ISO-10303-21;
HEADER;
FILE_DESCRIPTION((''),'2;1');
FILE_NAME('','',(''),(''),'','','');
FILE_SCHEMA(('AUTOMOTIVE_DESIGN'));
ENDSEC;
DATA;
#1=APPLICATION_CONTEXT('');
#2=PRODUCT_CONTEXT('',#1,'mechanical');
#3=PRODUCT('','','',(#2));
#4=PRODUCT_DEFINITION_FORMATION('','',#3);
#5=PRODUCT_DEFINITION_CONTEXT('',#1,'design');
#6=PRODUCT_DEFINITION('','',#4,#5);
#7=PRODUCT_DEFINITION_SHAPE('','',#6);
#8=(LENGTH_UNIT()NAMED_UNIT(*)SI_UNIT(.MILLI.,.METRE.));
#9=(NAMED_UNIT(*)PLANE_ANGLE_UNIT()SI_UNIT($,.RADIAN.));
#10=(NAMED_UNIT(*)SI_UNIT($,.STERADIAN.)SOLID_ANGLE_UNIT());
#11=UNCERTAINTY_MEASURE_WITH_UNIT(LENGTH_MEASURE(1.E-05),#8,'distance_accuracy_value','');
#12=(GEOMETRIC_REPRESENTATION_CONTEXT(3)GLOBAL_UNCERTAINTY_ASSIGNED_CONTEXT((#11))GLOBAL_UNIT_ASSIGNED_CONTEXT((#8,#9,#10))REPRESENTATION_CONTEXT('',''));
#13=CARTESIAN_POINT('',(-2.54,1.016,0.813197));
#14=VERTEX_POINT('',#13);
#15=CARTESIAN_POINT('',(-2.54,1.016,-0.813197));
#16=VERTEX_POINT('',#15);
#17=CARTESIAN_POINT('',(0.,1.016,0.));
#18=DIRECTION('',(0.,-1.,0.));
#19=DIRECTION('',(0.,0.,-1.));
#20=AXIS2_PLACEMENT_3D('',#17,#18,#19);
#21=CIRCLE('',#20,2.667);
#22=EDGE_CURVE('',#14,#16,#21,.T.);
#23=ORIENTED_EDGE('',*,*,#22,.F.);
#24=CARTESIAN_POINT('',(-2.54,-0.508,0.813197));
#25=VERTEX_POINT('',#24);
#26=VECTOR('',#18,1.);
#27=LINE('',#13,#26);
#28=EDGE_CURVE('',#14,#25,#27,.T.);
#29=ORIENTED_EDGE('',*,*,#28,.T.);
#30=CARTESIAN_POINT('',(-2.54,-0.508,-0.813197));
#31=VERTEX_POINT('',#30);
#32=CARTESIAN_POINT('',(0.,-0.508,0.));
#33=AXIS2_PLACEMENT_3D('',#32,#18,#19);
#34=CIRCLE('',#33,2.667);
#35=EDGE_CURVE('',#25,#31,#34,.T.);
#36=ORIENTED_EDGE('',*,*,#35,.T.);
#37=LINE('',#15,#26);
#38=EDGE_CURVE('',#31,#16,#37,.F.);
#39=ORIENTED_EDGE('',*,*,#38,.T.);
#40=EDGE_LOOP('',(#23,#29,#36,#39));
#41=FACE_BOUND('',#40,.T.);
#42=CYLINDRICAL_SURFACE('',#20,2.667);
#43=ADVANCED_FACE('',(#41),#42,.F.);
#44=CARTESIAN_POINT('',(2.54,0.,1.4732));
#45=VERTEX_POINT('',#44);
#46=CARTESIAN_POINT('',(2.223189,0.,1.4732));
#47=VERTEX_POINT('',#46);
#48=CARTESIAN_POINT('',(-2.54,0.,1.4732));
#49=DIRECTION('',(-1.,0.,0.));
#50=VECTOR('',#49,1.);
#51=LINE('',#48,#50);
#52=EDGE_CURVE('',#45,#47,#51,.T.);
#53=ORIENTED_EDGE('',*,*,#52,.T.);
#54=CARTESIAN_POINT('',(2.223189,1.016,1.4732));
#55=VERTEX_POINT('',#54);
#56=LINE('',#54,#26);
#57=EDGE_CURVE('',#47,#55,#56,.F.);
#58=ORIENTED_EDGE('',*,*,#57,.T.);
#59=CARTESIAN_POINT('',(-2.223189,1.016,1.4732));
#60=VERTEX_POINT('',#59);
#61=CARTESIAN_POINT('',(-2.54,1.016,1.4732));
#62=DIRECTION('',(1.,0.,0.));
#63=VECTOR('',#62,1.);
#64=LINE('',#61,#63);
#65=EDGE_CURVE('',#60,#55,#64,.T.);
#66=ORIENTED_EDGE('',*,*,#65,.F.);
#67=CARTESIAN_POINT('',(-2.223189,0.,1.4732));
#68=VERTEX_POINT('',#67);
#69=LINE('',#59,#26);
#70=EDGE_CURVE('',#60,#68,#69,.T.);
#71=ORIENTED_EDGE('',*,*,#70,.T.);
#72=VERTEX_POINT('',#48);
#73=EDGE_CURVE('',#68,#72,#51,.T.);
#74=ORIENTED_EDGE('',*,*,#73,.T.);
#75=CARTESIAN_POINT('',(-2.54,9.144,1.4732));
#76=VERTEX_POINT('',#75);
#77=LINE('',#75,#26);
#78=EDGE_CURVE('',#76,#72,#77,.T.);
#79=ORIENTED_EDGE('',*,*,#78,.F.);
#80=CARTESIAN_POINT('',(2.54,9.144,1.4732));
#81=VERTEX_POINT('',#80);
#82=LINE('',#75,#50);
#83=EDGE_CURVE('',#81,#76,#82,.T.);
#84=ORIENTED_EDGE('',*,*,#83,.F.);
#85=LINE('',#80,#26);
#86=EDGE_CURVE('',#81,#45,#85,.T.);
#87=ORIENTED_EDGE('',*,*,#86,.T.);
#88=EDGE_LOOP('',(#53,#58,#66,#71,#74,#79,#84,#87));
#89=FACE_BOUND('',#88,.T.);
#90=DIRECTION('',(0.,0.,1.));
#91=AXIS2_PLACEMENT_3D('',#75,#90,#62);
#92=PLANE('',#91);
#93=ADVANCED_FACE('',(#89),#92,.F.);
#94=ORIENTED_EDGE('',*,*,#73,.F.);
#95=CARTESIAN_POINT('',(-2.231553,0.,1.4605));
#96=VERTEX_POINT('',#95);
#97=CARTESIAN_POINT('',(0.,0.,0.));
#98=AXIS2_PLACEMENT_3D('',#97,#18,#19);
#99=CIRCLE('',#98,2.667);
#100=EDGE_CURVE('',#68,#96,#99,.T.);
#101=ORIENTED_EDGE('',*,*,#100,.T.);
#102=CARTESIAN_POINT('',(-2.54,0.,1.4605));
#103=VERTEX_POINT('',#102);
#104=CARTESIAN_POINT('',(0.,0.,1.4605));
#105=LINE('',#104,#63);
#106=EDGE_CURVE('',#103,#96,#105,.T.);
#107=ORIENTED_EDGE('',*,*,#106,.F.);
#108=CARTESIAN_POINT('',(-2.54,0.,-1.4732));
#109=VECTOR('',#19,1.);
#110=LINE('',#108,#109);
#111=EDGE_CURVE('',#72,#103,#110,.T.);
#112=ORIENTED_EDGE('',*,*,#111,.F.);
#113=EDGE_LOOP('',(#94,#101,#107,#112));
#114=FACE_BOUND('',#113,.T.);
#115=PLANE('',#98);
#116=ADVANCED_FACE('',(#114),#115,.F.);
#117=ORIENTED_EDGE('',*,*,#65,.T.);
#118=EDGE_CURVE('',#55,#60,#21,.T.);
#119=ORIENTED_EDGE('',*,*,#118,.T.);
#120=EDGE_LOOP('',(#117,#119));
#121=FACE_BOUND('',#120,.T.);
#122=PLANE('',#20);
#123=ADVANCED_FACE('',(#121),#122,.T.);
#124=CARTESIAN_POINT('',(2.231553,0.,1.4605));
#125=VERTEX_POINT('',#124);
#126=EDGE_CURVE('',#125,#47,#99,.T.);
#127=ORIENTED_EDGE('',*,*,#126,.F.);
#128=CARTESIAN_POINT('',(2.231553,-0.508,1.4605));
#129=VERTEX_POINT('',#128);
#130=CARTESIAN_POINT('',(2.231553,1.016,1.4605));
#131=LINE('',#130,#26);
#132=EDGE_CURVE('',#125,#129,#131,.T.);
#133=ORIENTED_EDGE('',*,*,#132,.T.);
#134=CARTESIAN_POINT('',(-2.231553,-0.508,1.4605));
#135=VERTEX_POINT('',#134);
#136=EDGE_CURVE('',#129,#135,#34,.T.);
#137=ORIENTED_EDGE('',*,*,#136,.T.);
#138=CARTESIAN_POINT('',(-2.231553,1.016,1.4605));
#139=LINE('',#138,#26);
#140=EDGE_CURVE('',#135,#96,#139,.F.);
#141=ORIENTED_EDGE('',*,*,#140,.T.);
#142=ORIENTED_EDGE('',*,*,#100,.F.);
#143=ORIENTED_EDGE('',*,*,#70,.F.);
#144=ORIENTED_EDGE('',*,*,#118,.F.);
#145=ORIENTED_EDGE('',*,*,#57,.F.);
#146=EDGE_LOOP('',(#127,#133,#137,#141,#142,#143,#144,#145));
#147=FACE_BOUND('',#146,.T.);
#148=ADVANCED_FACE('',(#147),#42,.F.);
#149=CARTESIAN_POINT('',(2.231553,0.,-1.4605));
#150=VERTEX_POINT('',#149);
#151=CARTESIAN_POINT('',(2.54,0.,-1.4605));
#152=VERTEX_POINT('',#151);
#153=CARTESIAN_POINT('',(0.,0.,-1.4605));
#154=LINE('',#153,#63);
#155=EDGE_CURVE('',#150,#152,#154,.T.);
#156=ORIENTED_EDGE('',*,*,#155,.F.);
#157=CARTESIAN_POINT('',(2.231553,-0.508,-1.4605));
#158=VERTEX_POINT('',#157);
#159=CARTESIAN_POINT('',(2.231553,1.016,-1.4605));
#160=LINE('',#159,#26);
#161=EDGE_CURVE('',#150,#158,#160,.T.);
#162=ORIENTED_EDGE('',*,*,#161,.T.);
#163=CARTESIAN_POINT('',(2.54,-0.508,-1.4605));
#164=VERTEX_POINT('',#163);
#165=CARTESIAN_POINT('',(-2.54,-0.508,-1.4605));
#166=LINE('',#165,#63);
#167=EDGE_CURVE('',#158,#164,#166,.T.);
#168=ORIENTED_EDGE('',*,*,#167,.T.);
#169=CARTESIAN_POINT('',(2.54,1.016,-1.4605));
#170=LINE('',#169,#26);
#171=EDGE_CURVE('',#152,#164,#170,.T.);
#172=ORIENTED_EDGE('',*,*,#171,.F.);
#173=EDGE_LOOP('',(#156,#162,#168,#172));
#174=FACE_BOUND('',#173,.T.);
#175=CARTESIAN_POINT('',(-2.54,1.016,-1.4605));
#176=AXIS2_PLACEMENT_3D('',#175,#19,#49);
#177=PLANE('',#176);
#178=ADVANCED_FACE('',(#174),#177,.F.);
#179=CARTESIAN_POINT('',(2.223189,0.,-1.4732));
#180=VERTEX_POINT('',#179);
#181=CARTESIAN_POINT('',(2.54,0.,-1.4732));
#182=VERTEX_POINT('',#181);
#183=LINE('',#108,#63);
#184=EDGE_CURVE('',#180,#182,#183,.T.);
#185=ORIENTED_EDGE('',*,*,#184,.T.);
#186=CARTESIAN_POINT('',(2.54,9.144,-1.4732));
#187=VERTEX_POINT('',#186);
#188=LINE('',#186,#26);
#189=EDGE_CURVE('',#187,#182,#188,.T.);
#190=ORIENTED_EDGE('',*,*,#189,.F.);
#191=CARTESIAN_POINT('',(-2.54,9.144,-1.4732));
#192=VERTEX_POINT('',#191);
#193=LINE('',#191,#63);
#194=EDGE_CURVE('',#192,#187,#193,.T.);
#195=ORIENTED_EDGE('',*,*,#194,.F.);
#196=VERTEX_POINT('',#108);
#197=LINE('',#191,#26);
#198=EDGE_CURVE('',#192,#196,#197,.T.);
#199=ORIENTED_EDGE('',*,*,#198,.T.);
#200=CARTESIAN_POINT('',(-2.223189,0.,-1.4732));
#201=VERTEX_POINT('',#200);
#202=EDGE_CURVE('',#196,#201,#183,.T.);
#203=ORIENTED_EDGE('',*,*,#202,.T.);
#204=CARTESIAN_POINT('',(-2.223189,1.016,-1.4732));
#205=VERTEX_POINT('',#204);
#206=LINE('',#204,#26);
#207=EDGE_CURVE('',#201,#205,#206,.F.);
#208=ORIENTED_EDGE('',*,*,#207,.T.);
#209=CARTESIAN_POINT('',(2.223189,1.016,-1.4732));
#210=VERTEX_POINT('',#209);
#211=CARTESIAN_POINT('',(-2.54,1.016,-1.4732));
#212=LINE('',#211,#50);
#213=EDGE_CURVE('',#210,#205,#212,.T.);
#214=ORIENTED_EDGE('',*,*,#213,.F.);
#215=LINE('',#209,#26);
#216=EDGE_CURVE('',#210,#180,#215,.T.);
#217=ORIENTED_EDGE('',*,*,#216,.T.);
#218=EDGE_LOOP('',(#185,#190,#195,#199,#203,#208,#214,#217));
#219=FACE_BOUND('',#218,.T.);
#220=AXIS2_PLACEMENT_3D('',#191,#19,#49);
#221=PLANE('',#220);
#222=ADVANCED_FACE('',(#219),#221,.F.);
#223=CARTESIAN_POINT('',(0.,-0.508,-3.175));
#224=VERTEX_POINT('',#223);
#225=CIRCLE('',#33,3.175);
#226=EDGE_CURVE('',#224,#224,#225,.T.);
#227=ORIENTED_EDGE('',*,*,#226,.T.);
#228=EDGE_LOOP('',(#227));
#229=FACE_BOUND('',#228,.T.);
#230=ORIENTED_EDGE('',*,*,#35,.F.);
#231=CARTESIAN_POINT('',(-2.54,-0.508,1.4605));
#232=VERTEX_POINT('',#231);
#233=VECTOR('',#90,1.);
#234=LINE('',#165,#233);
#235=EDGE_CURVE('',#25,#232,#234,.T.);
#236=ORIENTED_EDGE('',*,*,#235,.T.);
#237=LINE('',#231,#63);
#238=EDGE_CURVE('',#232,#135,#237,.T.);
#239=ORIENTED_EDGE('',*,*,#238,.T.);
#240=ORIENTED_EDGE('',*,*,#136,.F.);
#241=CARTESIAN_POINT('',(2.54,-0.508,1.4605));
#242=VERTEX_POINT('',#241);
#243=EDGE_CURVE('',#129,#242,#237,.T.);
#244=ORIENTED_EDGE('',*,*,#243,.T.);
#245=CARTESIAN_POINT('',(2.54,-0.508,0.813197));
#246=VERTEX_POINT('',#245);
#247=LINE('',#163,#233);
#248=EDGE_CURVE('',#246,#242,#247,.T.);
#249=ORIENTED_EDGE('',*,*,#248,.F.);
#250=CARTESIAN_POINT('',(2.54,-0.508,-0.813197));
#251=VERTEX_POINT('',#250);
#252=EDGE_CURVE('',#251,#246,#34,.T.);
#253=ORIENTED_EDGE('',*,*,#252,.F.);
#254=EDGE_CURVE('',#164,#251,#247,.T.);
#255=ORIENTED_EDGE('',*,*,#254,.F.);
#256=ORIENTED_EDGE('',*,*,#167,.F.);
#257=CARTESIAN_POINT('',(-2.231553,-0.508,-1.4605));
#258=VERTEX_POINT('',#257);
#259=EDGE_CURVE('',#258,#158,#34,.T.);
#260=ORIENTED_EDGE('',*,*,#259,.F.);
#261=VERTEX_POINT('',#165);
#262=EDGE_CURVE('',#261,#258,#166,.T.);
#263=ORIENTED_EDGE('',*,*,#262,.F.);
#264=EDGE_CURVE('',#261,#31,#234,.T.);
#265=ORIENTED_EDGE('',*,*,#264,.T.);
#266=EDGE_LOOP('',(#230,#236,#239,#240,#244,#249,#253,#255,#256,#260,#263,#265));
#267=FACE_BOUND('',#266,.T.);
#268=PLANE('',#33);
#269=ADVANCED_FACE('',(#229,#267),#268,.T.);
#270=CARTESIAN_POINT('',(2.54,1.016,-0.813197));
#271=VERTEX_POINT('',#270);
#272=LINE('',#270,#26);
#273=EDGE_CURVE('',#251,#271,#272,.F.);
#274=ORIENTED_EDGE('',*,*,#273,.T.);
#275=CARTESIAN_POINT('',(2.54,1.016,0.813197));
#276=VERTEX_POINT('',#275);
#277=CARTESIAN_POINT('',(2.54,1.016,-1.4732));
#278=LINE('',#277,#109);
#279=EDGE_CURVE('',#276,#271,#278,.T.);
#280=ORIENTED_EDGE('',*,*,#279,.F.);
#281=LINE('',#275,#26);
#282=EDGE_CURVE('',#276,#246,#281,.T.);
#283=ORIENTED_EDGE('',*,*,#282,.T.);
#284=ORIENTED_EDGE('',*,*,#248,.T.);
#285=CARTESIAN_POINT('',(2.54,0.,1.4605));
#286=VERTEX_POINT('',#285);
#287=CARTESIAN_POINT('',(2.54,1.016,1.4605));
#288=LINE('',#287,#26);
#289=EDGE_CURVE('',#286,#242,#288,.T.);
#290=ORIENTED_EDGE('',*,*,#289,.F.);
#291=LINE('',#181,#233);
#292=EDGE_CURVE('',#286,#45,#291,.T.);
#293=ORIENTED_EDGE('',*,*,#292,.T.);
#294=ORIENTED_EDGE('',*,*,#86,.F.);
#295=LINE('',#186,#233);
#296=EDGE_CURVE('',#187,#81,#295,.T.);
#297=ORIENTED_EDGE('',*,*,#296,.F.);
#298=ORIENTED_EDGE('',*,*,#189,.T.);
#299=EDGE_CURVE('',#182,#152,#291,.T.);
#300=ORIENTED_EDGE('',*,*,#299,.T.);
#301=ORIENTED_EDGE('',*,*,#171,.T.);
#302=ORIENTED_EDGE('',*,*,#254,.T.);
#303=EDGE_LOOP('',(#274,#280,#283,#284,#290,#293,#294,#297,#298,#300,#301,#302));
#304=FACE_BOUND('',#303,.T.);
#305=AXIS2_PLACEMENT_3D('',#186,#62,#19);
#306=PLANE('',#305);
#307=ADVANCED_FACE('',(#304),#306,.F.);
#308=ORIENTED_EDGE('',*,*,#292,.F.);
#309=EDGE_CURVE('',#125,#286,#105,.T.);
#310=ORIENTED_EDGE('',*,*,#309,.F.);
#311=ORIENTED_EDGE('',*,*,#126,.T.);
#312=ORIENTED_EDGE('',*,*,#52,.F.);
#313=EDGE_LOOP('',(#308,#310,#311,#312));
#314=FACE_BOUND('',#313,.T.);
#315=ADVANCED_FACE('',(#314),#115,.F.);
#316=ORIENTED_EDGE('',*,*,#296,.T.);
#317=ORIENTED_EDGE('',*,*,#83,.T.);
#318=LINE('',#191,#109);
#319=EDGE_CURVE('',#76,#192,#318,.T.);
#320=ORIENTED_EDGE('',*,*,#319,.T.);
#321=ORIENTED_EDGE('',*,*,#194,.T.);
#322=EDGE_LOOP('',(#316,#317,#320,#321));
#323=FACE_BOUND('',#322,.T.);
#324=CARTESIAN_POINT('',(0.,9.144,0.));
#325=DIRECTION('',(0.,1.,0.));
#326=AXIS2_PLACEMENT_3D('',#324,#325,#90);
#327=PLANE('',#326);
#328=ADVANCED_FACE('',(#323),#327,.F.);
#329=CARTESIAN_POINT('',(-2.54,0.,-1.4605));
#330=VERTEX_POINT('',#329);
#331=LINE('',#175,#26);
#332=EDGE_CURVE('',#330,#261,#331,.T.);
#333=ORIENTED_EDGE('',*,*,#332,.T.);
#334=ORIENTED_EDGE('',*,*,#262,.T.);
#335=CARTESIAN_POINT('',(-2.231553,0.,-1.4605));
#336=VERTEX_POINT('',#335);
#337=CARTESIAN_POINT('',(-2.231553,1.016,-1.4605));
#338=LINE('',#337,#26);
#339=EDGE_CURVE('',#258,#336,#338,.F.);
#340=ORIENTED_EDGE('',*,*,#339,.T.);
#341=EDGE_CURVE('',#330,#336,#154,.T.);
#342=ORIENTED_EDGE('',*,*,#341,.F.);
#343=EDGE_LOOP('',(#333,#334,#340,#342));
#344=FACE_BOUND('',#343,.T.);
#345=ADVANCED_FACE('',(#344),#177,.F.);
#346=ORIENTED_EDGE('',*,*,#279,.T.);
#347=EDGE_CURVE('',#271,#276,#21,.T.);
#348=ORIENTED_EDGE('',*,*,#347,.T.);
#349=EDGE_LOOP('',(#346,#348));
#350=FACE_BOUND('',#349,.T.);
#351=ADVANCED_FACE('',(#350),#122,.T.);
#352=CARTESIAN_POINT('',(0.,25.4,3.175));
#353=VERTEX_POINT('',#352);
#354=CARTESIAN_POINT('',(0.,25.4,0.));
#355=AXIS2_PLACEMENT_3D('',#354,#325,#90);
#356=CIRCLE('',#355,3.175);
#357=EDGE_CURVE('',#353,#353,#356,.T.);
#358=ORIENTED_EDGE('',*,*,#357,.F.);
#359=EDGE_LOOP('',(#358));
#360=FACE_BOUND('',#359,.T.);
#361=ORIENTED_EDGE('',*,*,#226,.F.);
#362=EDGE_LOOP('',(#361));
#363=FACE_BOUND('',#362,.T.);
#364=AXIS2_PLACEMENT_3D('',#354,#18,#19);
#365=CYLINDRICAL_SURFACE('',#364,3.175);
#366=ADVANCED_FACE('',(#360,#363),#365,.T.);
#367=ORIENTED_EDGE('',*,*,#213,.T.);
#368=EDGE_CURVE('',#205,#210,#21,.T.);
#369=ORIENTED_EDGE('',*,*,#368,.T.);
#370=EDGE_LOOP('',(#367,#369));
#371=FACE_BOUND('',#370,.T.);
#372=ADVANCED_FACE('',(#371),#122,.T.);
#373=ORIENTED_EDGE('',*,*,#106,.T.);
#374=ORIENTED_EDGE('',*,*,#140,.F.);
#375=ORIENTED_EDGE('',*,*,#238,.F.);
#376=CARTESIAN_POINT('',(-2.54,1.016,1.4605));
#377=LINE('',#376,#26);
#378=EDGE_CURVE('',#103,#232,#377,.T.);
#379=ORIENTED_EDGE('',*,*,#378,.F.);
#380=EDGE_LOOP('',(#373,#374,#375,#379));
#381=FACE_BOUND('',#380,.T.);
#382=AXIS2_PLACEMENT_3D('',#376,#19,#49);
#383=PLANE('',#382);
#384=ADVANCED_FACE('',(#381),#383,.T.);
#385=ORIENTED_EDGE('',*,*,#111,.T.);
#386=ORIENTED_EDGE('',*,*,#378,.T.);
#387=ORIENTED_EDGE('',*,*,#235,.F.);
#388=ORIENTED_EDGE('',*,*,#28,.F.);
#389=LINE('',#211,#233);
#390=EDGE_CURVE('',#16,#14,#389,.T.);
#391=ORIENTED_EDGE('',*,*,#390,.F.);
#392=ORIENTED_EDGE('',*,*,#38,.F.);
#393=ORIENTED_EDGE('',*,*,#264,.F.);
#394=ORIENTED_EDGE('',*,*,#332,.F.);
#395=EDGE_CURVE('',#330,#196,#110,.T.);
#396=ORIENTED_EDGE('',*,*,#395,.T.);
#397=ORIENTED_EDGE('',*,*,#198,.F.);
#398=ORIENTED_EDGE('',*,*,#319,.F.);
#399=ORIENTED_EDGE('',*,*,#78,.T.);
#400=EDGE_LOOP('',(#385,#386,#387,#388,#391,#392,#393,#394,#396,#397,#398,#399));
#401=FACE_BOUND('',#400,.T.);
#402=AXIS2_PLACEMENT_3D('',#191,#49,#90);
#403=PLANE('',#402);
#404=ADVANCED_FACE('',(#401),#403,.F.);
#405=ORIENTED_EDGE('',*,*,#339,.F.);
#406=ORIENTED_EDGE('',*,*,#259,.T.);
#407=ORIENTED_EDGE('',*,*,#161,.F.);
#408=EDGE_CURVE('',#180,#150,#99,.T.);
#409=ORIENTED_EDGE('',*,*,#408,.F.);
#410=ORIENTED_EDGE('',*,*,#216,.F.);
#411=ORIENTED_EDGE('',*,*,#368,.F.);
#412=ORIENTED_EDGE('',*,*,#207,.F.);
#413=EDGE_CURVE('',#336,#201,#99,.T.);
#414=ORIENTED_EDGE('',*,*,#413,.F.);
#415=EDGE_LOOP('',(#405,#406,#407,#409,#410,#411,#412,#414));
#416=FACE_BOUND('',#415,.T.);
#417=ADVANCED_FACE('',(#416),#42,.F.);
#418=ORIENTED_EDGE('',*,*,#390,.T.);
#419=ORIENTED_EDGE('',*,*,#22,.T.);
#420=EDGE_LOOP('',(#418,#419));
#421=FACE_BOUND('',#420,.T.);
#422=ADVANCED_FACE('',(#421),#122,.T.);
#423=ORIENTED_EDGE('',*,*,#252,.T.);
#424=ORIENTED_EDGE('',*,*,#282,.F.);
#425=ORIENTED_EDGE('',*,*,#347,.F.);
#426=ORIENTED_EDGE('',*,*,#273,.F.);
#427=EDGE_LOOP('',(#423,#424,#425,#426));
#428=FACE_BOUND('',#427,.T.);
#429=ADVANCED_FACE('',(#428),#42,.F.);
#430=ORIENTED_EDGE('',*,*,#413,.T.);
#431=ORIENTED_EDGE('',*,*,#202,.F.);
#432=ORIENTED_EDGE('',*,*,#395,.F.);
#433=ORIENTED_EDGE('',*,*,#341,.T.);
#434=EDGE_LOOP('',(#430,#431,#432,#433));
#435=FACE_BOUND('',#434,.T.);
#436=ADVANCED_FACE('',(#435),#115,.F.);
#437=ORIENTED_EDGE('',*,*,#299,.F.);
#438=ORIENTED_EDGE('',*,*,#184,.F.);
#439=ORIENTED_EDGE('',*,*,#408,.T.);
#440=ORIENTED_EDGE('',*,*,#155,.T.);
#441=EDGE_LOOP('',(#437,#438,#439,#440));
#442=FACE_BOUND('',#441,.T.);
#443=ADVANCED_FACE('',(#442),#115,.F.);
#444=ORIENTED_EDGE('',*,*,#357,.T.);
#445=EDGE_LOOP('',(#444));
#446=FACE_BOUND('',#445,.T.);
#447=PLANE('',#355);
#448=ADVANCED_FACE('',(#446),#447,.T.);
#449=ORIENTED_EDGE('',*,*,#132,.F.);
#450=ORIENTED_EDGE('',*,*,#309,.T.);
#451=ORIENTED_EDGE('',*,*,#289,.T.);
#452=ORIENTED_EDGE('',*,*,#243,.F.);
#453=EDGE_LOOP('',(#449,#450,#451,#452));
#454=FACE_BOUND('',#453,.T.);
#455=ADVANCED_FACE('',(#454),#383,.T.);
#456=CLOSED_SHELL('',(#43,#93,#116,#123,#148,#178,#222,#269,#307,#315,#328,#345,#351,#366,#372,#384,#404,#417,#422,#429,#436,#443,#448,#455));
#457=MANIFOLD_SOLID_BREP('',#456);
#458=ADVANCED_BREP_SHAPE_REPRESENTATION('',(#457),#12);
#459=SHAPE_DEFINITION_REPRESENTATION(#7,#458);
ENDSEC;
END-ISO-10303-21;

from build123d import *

# Parameters (mm, degrees)
SKETCH1_R           = 3.175
BOSS_EXTRUDE1_DEPTH = 25.4
SKETCH2_W           = 5.08
SKETCH2_H           = 2.9464
CUT_EXTRUDE1_DEPTH  = 9.144
BOSS_EXTRUDE2_START = 0.508
SKETCH3_R           = 3.175
BOSS_EXTRUDE2_DEPTH = 0.508
SKETCH4_R           = 2.667
SKETCH4_W           = 5.08
SKETCH4_H           = 2.921
CUT_EXTRUDE2_DEPTH  = 1.524


with BuildPart() as part:
    # Sketch1 → Boss-Extrude1 (new body)
    with BuildSketch(Plane(origin=(0, 0, 0), x_dir=(1, 0, 0), z_dir=(0, 1, 0))):
        Circle(SKETCH1_R)
    extrude(amount=BOSS_EXTRUDE1_DEPTH)

    # Sketch2 → Cut-Extrude1 (cut)
    with BuildSketch(Plane.XZ):
        Rectangle(SKETCH2_W, SKETCH2_H)
    extrude(amount=-CUT_EXTRUDE1_DEPTH, mode=Mode.SUBTRACT)

    # Sketch3 → Boss-Extrude2 (add)
    with BuildSketch(Plane.XZ.offset(BOSS_EXTRUDE2_START)):
        Circle(SKETCH3_R)
    extrude(amount=-BOSS_EXTRUDE2_DEPTH)

    # Sketch4 → Cut-Extrude2 (cut)
    with BuildSketch(Plane.XZ.offset(0.508)):
        Circle(SKETCH4_R)
        Rectangle(SKETCH4_W, SKETCH4_H)
    extrude(amount=-CUT_EXTRUDE2_DEPTH, mode=Mode.SUBTRACT)


solid = part.part
